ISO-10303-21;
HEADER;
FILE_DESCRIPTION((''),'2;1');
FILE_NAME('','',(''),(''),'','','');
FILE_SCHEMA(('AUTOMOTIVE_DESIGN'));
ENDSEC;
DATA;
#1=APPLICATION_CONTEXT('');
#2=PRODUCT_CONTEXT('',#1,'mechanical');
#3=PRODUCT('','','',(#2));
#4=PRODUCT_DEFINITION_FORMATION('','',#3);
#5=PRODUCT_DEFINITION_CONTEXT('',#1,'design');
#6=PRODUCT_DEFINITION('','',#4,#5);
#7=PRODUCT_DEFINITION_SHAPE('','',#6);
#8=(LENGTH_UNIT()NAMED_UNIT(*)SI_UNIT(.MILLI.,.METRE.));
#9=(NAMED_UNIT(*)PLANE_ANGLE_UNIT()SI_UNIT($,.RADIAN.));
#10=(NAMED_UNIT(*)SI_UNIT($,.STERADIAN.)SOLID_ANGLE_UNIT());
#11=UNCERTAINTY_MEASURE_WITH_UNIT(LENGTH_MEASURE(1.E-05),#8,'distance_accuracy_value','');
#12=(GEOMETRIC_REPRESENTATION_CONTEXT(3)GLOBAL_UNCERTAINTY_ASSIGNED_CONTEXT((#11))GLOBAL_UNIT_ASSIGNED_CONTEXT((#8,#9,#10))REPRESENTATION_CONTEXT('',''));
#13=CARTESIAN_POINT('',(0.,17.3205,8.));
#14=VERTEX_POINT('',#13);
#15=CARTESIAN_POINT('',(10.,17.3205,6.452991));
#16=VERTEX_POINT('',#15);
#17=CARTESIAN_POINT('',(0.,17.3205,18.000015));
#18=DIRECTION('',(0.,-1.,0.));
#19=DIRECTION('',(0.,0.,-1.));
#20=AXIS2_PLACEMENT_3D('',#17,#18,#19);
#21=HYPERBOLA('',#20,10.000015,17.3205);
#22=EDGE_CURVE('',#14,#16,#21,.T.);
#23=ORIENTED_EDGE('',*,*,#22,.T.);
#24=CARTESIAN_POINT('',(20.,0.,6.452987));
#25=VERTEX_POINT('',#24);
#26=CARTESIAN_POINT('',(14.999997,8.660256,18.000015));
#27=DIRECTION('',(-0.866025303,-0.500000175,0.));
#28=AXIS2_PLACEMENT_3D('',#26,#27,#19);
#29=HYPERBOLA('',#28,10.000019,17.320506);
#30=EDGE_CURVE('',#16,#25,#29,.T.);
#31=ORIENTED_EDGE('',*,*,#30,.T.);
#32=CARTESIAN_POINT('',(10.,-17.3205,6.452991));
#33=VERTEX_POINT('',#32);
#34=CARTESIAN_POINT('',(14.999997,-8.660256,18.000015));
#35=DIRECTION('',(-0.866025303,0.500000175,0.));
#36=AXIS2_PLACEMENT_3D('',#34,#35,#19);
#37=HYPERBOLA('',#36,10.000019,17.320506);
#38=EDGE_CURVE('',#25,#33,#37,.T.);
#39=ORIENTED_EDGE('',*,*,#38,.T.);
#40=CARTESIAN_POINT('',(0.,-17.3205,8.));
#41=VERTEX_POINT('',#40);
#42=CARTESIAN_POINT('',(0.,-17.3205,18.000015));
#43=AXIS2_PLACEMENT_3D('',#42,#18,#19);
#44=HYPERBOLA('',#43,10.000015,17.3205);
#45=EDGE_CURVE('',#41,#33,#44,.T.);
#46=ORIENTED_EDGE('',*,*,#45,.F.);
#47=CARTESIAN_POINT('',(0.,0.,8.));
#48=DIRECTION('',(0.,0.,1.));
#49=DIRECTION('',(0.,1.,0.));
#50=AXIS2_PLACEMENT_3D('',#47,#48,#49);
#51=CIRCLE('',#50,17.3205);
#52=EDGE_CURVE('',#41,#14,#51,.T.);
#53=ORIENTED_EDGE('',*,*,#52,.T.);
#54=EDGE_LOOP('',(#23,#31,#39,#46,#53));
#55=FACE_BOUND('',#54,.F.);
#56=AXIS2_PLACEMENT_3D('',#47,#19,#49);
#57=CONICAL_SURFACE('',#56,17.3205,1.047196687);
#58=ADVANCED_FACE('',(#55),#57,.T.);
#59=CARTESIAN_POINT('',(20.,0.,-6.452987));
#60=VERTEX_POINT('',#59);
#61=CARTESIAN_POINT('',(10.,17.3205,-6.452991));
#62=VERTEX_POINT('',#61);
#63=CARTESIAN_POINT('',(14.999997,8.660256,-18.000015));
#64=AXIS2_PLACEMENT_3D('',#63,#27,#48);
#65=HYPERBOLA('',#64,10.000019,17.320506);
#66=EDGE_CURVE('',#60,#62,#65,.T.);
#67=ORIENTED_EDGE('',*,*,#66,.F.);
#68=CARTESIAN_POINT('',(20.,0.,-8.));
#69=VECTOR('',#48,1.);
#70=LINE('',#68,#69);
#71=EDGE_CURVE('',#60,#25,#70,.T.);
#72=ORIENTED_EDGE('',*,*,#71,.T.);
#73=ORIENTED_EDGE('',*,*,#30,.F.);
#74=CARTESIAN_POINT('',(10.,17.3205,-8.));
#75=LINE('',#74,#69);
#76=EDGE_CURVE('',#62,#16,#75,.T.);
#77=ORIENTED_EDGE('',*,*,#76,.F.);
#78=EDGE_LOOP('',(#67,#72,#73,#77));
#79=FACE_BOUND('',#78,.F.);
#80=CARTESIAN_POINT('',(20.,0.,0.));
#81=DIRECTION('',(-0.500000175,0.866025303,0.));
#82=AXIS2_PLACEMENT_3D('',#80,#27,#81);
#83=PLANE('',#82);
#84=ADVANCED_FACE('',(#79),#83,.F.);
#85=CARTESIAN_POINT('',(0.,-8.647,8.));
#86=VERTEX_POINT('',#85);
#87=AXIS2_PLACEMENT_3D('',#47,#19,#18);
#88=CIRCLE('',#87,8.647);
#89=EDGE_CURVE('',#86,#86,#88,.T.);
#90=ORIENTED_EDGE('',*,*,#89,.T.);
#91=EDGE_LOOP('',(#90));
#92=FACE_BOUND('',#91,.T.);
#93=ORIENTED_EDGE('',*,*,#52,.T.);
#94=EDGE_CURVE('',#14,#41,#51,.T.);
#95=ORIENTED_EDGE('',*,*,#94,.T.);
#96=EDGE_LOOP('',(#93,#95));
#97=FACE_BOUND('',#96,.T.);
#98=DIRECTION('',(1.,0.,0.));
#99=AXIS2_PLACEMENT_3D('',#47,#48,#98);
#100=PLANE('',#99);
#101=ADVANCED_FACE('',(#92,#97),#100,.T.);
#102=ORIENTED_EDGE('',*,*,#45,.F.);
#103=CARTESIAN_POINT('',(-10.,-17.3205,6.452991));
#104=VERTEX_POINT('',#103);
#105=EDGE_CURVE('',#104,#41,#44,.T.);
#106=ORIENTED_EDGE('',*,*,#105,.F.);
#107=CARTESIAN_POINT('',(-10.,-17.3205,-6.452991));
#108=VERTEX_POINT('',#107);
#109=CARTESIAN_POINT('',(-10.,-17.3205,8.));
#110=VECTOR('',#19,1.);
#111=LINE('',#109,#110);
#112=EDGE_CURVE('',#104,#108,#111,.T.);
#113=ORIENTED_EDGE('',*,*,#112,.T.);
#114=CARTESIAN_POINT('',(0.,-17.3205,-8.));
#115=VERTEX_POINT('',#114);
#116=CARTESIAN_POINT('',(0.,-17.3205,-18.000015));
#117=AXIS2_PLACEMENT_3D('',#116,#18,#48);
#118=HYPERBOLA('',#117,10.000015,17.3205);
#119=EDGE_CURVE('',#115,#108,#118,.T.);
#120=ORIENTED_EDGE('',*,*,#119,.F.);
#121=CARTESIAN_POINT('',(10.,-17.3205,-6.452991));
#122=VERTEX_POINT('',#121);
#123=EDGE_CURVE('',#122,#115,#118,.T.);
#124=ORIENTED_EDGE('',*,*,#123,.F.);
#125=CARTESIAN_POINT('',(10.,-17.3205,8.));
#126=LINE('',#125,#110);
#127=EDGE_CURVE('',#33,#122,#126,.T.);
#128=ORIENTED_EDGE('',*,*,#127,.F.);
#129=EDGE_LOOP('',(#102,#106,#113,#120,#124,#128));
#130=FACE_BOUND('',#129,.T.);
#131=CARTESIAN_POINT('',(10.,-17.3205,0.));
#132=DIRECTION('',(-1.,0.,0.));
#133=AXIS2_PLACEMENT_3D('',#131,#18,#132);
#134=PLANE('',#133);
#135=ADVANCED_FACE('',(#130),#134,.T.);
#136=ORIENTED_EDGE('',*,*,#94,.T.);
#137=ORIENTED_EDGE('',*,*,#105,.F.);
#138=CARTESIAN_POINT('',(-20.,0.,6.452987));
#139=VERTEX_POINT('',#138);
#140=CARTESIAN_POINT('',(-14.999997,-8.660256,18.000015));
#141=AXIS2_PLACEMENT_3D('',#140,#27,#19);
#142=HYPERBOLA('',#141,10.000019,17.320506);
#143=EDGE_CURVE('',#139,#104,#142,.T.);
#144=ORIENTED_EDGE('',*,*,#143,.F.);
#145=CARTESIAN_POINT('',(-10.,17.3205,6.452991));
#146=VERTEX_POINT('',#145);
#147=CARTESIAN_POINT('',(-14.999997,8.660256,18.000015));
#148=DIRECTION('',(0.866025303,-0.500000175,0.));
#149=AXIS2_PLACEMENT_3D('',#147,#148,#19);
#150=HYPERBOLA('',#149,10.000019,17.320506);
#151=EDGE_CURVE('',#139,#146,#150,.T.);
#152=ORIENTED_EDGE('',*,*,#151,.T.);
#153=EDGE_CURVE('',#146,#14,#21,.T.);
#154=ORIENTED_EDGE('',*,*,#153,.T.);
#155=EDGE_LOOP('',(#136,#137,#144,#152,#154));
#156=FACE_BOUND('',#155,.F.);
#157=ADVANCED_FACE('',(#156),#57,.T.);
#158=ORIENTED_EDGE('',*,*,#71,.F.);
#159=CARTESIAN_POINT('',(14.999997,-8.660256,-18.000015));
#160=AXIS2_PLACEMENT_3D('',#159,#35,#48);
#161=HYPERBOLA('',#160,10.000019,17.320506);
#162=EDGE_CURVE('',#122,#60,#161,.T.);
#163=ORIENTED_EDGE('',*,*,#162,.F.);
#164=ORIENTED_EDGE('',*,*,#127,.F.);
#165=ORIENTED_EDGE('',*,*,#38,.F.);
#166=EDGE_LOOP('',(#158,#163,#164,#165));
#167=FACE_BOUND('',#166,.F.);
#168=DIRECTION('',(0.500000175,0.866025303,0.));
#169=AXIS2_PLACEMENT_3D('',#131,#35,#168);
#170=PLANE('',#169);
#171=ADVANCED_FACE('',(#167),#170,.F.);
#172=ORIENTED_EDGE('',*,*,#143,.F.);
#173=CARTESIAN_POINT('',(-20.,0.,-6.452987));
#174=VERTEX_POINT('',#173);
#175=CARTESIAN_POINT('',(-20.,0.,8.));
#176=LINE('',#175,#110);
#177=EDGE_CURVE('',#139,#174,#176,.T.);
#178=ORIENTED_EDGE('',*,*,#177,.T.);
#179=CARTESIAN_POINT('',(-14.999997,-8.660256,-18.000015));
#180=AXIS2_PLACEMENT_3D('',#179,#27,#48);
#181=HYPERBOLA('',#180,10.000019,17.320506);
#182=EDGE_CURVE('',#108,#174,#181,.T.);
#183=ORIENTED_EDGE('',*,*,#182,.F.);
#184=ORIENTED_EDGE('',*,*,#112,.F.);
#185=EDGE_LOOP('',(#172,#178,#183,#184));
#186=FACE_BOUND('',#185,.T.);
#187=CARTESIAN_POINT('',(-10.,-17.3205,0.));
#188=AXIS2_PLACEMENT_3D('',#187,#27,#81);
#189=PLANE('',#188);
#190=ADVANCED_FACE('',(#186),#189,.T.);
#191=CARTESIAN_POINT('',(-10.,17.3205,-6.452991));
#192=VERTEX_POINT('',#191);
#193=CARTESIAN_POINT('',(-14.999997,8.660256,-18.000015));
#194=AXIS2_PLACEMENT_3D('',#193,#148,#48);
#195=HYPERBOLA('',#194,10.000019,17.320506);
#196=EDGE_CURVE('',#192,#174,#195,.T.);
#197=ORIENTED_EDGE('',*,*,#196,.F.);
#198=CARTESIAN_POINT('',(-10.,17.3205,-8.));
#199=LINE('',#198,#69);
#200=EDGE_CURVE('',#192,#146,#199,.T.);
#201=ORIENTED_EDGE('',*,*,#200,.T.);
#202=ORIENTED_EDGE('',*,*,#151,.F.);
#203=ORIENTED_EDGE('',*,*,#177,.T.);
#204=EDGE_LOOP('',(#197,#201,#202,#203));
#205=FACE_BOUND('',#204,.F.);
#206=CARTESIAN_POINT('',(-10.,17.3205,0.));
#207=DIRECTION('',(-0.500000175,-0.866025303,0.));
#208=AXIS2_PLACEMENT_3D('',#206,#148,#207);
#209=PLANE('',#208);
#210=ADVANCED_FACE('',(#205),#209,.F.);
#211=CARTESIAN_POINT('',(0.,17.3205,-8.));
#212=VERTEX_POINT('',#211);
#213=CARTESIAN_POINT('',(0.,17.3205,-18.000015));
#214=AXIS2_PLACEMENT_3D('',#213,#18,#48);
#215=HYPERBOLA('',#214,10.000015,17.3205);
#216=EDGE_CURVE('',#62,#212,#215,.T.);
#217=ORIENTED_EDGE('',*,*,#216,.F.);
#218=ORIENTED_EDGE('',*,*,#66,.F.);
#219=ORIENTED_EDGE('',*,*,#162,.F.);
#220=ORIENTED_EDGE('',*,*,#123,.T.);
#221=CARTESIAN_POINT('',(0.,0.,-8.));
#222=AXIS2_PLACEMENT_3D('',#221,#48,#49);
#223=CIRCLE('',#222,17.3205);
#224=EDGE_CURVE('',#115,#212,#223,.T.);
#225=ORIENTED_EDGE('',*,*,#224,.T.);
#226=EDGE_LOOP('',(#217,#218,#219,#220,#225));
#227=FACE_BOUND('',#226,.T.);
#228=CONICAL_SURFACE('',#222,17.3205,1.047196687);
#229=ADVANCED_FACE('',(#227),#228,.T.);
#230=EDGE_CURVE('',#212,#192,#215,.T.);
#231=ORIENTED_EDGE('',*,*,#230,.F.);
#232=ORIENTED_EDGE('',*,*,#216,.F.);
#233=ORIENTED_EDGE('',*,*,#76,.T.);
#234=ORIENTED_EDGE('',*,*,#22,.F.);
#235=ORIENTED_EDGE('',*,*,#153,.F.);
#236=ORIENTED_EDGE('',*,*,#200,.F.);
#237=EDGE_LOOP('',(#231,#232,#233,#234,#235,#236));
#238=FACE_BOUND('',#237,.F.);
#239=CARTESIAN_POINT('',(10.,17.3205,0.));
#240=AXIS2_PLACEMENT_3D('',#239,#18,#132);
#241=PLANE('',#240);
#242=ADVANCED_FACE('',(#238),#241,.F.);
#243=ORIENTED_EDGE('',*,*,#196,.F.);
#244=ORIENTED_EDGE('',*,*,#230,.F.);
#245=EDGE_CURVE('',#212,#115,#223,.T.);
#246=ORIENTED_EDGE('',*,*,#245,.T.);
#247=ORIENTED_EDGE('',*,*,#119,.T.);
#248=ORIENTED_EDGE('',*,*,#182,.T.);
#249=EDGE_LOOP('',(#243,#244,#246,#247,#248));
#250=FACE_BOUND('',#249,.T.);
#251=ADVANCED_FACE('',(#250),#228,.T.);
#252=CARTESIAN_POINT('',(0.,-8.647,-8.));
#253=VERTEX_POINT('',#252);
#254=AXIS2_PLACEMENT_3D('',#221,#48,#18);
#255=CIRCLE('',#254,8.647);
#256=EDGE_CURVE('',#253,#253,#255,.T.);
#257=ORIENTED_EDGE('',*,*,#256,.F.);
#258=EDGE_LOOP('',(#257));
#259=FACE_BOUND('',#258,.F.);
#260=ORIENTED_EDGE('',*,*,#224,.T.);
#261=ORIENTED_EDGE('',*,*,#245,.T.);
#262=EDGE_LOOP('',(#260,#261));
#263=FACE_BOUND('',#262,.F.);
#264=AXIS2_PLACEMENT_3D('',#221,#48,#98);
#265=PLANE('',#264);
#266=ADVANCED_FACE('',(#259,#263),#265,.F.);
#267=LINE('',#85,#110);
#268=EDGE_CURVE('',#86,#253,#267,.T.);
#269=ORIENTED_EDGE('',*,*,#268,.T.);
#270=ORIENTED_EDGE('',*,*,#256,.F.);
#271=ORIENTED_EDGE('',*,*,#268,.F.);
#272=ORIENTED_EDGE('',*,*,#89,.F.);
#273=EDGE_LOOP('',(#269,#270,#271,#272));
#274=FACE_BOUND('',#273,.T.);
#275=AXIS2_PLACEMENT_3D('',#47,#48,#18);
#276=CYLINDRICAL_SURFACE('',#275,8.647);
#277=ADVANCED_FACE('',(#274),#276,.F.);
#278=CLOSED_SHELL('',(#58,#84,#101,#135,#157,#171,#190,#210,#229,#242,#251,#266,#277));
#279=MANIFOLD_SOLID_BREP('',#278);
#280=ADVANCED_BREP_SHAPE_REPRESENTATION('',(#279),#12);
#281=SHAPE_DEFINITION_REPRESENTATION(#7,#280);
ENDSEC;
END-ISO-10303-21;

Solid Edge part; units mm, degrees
sketch "Sketch1" plane through (0, 0, 0) normal (0, 0, 1) x (1, 0, 0)
  line L0 (10, -17.3205) -> (20, 0)
  line L1 (20, 0) -> (10, 17.3205)
  line L2 (10, 17.3205) -> (-10, 17.3205)
  line L3 (-10, 17.3205) -> (-20, 0)
  line L4 (-10, -17.3205) -> (-20, 0)
  line L5 (10, -17.3205) -> (-10, -17.3205)
extrude "Protrusion1" add sketch "Sketch1" along normal mid plane 16
hole "Hole_1" at (0, 0, 8) direction (0, 0, -1) diameter 17.294 end through all
sketch "Sketch2" plane through (0, 0, 0) normal (1, 0, 0) x (0, 1, 0)
  line L0 (17.3205, -8) -> (33.7074, 1.461)
revolve "RevolvedCutout1" cut sketch "Sketch2" angle 360 about axis through (0, 0, -57) along (0, 0, 1) material side at (0, 25.539, -3.3128)
mirror "Mirror1" about plane through (0, 0, 0) normal (0, 0, 1) of "RevolvedCutout1"
properties part number "6" material "Fe 410 W"
